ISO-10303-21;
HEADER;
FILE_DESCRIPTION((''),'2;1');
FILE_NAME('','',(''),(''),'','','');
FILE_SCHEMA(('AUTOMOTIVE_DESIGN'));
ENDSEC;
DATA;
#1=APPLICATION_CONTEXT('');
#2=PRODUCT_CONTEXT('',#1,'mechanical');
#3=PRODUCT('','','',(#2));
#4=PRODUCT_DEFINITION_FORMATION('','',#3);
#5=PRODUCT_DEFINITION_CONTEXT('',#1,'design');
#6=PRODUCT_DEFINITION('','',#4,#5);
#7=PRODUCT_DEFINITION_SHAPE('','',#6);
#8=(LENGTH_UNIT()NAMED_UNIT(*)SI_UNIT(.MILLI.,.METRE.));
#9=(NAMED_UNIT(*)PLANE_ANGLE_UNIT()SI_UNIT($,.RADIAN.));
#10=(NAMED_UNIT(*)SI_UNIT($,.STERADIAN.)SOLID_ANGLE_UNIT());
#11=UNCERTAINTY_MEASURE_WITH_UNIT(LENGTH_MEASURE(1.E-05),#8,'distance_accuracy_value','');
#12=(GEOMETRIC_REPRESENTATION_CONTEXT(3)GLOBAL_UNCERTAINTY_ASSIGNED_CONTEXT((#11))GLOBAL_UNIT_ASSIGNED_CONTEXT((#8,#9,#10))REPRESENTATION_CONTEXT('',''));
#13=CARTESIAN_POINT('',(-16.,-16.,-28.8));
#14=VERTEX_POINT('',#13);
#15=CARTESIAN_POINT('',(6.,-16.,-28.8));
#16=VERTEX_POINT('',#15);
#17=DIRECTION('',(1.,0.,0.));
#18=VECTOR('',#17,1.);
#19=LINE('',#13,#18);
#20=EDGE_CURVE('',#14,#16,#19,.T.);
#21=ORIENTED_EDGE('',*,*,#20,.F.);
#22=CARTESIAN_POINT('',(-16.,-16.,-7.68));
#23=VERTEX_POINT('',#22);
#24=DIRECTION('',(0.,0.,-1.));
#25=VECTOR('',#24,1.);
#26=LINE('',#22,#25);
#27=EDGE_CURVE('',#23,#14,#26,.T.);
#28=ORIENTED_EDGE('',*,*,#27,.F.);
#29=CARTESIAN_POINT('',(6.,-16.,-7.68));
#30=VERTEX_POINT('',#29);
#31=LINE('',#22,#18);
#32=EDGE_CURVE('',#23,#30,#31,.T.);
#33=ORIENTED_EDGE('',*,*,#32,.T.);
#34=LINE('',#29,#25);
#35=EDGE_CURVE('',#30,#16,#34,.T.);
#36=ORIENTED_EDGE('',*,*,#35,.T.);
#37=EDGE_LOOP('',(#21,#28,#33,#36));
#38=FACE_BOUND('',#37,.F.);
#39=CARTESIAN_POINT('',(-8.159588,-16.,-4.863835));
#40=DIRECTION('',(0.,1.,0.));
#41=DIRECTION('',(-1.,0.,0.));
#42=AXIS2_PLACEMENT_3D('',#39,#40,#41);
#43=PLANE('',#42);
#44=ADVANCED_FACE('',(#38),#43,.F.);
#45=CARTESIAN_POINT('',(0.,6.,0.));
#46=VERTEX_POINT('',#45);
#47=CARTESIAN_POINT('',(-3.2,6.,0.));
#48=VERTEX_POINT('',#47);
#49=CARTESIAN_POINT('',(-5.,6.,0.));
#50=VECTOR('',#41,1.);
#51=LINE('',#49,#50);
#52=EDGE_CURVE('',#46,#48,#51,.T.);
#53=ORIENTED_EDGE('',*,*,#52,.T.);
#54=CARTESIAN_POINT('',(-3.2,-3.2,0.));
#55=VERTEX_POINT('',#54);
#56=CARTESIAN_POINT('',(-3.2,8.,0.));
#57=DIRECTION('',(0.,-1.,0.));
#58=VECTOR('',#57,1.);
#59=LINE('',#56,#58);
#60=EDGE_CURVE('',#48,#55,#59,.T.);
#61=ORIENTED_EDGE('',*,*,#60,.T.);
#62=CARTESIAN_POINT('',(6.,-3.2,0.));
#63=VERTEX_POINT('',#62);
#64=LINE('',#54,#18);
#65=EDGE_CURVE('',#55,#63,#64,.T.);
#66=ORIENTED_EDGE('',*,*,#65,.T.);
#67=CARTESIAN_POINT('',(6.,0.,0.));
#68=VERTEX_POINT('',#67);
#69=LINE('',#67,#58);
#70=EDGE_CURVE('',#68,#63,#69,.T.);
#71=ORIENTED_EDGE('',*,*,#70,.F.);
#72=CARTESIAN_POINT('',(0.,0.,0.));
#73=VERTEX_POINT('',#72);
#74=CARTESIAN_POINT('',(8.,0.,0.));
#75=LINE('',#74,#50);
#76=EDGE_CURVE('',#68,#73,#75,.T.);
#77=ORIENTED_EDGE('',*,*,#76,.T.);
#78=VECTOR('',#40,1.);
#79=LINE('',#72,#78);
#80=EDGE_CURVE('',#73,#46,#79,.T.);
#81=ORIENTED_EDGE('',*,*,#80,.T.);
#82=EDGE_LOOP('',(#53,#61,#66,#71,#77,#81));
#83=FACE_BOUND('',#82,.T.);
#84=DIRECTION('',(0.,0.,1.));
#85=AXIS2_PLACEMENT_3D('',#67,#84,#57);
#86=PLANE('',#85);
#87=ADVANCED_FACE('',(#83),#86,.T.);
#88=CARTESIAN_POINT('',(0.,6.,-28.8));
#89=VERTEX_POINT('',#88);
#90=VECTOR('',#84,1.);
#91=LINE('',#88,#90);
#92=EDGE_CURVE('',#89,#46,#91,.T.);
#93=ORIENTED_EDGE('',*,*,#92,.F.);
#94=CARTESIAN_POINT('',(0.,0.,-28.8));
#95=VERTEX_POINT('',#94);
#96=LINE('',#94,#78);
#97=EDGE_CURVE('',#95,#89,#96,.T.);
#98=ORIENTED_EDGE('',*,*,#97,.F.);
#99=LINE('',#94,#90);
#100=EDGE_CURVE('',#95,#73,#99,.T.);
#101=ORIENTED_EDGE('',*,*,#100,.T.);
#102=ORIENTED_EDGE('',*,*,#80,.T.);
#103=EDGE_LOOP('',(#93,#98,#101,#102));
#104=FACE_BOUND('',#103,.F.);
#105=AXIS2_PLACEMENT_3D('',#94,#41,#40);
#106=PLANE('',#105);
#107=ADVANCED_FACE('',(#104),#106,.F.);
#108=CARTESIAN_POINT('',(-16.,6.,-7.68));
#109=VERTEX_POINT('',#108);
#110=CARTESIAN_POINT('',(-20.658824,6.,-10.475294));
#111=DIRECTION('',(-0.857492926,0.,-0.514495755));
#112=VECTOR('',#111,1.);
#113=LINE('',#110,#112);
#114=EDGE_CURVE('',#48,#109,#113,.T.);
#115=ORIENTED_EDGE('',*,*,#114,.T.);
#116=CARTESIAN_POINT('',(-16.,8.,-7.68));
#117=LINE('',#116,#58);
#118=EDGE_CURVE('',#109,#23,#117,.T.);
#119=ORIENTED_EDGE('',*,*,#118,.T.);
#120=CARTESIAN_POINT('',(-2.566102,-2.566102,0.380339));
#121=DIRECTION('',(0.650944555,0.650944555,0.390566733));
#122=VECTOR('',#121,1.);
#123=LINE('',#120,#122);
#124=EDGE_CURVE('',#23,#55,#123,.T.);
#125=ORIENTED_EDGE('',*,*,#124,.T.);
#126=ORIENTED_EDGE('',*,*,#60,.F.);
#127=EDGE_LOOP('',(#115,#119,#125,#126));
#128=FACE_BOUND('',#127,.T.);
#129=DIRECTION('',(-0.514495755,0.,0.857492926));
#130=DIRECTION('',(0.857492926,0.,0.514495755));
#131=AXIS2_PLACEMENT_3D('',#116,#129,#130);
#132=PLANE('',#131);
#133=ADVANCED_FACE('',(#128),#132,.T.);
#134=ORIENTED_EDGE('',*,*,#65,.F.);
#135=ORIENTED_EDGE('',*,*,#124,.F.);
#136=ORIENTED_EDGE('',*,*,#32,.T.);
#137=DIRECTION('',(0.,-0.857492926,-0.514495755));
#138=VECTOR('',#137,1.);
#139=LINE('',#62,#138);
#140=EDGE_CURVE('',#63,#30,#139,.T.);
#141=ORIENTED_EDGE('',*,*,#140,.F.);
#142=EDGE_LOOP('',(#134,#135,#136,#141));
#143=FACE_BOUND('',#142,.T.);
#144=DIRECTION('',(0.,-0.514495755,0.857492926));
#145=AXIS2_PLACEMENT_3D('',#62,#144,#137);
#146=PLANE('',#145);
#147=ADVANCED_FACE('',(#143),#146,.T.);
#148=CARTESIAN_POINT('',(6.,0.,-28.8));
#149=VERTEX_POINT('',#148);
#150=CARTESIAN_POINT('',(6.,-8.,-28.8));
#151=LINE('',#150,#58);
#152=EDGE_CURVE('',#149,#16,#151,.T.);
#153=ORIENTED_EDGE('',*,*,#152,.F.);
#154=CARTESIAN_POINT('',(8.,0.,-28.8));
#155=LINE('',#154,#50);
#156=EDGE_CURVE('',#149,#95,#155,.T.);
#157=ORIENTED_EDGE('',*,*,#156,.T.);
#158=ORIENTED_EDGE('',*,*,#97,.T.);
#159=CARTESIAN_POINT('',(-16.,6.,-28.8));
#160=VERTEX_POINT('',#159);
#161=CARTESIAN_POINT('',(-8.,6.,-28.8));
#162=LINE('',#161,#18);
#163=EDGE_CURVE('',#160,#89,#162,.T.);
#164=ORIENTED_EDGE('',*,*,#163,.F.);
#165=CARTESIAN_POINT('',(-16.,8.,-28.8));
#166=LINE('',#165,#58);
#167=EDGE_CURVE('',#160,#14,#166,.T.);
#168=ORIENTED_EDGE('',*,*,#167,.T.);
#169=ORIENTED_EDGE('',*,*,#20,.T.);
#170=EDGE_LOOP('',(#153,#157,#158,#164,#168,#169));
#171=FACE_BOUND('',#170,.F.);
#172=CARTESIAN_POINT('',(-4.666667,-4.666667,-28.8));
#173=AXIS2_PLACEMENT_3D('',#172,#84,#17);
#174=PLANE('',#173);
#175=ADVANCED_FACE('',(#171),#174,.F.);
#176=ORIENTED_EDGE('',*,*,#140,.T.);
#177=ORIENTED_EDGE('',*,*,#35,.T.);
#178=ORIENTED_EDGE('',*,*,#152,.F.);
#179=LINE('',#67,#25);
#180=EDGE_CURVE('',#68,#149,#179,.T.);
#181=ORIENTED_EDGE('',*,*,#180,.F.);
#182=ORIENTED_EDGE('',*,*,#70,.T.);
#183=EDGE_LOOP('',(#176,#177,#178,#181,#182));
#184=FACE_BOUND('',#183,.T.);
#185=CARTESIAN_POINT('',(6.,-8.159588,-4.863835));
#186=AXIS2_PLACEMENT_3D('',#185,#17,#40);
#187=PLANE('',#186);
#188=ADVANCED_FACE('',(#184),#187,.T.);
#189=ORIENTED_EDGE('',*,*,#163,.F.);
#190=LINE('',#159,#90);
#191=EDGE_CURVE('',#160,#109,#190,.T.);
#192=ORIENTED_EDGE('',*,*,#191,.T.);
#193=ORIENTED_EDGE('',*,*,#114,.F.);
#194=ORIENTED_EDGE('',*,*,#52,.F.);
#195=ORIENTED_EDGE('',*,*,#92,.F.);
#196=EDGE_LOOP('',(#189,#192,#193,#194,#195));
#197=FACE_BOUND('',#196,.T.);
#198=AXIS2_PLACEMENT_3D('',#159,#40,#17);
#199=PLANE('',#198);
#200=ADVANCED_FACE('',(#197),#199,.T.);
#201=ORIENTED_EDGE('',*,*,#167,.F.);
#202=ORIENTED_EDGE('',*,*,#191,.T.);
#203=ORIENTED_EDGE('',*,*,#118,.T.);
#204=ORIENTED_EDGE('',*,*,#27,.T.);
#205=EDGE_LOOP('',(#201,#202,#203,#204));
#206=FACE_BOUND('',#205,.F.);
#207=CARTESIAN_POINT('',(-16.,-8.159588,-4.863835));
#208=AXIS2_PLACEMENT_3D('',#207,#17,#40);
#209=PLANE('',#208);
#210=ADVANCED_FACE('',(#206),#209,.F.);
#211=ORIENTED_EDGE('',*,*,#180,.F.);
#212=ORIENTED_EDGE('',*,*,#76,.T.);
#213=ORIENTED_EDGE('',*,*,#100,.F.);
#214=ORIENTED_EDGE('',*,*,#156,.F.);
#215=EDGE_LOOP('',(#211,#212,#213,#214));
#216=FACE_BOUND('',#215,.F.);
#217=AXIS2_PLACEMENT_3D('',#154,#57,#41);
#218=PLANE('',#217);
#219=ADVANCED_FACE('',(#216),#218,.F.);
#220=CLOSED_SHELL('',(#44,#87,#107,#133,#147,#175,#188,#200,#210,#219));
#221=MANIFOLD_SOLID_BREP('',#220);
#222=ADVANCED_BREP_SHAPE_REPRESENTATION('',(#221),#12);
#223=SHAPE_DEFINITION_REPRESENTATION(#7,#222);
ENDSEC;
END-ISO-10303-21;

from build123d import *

# Parameters (mm, degrees)
PAD014_DEPTH    = 28.8
POCKET011_DEPTH = 24
POCKET012_DEPTH = 24
SKETCH112_W     = 2
SKETCH112_H     = 16
POCKET028_DEPTH = 30
PAD141_DEPTH    = 22
PAD142_DEPTH    = 24
POCKET056_DEPTH = 24
POCKET057_DEPTH = 23
SKETCH194_W     = 16
SKETCH194_H     = 2
POCKET076_DEPTH = 30


with BuildPart() as part:
    # Sketch025 (on Face52 of Binder010) → Pad014 (new body)
    with BuildSketch(Plane.XY.offset(-28.8)):
        Polygon((0, 0), (0, 8), (-16, 8), (-16, -16), (8, -16), (8, 0), align=None)
    extrude(amount=PAD014_DEPTH)

    # Sketch026 (on Face5 of Pad014) → Pocket011 (cut)
    with BuildSketch(Plane.YZ.offset(8)):
        Polygon((-16, -9.6), (0, 0), (-16, 0), align=None)
    extrude(amount=-POCKET011_DEPTH, mode=Mode.SUBTRACT)

    # Sketch027 (on Face3 of Pocket011) → Pocket012 (cut)
    with BuildSketch(Plane(origin=(0, 8, 0), x_dir=(-1, 0, 0), z_dir=(0, 1, 0))):
        Polygon((16, -9.6), (0, 0), (16, 0), align=None)
    extrude(amount=-POCKET012_DEPTH, mode=Mode.SUBTRACT)

    # Sketch112 (on Face4 of Pocket012) → Pocket028 (cut)
    with BuildSketch(Plane(origin=(0, 0, -28.8), x_dir=(1, 0, 0), z_dir=(0, 0, -1))):
        with Locations((7, 8)):
            Rectangle(SKETCH112_W, SKETCH112_H)
    extrude(amount=-POCKET028_DEPTH, mode=Mode.SUBTRACT)

    # Sketch137 (on Face7 of Pocket028) → Pad141 (join)
    with BuildSketch(Plane.YZ.offset(6)):
        Polygon((0, 0), (-3.2, 0), (-16, -7.68), (-16, -10.88), (-3.2, -3.2), (0, -3.2), align=None)
    extrude(amount=-PAD141_DEPTH)

    # Sketch167 → Pad142 (join)
    with BuildSketch(Plane(origin=(0, 8, 0), x_dir=(-1, 0, 0), z_dir=(0, 1, 0))):
        Polygon((0, 0), (0, -3.2), (3.2, -3.2), (16, -10.88), (16, -7.68), (3.2, 0), align=None)
    extrude(amount=-PAD142_DEPTH)

    # Sketch170 (on Face9 of Pad142) → Pocket056 (cut)
    with BuildSketch(Plane(origin=(0, 8, 0), x_dir=(-1, 0, 0), z_dir=(0, 1, 0))):
        Polygon((3.2, 0), (16, -7.68), (16, 0), align=None)
    extrude(amount=-POCKET056_DEPTH, mode=Mode.SUBTRACT)

    # Sketch171 (on Face3 of Pocket056) → Pocket057 (cut)
    with BuildSketch(Plane.YZ.offset(6)):
        Polygon((-3.2, 0), (-16, -7.68), (-16, 0), align=None)
    extrude(amount=-POCKET057_DEPTH, mode=Mode.SUBTRACT)

    # Sketch194 (on Face1 of Pocket057) → Pocket076 (cut)
    with BuildSketch(Plane(origin=(0, 0, -28.8), x_dir=(1, 0, 0), z_dir=(0, 0, -1))):
        with Locations((-8, -7)):
            Rectangle(SKETCH194_W, SKETCH194_H)
    extrude(amount=-POCKET076_DEPTH, mode=Mode.SUBTRACT)


solid = part.part
